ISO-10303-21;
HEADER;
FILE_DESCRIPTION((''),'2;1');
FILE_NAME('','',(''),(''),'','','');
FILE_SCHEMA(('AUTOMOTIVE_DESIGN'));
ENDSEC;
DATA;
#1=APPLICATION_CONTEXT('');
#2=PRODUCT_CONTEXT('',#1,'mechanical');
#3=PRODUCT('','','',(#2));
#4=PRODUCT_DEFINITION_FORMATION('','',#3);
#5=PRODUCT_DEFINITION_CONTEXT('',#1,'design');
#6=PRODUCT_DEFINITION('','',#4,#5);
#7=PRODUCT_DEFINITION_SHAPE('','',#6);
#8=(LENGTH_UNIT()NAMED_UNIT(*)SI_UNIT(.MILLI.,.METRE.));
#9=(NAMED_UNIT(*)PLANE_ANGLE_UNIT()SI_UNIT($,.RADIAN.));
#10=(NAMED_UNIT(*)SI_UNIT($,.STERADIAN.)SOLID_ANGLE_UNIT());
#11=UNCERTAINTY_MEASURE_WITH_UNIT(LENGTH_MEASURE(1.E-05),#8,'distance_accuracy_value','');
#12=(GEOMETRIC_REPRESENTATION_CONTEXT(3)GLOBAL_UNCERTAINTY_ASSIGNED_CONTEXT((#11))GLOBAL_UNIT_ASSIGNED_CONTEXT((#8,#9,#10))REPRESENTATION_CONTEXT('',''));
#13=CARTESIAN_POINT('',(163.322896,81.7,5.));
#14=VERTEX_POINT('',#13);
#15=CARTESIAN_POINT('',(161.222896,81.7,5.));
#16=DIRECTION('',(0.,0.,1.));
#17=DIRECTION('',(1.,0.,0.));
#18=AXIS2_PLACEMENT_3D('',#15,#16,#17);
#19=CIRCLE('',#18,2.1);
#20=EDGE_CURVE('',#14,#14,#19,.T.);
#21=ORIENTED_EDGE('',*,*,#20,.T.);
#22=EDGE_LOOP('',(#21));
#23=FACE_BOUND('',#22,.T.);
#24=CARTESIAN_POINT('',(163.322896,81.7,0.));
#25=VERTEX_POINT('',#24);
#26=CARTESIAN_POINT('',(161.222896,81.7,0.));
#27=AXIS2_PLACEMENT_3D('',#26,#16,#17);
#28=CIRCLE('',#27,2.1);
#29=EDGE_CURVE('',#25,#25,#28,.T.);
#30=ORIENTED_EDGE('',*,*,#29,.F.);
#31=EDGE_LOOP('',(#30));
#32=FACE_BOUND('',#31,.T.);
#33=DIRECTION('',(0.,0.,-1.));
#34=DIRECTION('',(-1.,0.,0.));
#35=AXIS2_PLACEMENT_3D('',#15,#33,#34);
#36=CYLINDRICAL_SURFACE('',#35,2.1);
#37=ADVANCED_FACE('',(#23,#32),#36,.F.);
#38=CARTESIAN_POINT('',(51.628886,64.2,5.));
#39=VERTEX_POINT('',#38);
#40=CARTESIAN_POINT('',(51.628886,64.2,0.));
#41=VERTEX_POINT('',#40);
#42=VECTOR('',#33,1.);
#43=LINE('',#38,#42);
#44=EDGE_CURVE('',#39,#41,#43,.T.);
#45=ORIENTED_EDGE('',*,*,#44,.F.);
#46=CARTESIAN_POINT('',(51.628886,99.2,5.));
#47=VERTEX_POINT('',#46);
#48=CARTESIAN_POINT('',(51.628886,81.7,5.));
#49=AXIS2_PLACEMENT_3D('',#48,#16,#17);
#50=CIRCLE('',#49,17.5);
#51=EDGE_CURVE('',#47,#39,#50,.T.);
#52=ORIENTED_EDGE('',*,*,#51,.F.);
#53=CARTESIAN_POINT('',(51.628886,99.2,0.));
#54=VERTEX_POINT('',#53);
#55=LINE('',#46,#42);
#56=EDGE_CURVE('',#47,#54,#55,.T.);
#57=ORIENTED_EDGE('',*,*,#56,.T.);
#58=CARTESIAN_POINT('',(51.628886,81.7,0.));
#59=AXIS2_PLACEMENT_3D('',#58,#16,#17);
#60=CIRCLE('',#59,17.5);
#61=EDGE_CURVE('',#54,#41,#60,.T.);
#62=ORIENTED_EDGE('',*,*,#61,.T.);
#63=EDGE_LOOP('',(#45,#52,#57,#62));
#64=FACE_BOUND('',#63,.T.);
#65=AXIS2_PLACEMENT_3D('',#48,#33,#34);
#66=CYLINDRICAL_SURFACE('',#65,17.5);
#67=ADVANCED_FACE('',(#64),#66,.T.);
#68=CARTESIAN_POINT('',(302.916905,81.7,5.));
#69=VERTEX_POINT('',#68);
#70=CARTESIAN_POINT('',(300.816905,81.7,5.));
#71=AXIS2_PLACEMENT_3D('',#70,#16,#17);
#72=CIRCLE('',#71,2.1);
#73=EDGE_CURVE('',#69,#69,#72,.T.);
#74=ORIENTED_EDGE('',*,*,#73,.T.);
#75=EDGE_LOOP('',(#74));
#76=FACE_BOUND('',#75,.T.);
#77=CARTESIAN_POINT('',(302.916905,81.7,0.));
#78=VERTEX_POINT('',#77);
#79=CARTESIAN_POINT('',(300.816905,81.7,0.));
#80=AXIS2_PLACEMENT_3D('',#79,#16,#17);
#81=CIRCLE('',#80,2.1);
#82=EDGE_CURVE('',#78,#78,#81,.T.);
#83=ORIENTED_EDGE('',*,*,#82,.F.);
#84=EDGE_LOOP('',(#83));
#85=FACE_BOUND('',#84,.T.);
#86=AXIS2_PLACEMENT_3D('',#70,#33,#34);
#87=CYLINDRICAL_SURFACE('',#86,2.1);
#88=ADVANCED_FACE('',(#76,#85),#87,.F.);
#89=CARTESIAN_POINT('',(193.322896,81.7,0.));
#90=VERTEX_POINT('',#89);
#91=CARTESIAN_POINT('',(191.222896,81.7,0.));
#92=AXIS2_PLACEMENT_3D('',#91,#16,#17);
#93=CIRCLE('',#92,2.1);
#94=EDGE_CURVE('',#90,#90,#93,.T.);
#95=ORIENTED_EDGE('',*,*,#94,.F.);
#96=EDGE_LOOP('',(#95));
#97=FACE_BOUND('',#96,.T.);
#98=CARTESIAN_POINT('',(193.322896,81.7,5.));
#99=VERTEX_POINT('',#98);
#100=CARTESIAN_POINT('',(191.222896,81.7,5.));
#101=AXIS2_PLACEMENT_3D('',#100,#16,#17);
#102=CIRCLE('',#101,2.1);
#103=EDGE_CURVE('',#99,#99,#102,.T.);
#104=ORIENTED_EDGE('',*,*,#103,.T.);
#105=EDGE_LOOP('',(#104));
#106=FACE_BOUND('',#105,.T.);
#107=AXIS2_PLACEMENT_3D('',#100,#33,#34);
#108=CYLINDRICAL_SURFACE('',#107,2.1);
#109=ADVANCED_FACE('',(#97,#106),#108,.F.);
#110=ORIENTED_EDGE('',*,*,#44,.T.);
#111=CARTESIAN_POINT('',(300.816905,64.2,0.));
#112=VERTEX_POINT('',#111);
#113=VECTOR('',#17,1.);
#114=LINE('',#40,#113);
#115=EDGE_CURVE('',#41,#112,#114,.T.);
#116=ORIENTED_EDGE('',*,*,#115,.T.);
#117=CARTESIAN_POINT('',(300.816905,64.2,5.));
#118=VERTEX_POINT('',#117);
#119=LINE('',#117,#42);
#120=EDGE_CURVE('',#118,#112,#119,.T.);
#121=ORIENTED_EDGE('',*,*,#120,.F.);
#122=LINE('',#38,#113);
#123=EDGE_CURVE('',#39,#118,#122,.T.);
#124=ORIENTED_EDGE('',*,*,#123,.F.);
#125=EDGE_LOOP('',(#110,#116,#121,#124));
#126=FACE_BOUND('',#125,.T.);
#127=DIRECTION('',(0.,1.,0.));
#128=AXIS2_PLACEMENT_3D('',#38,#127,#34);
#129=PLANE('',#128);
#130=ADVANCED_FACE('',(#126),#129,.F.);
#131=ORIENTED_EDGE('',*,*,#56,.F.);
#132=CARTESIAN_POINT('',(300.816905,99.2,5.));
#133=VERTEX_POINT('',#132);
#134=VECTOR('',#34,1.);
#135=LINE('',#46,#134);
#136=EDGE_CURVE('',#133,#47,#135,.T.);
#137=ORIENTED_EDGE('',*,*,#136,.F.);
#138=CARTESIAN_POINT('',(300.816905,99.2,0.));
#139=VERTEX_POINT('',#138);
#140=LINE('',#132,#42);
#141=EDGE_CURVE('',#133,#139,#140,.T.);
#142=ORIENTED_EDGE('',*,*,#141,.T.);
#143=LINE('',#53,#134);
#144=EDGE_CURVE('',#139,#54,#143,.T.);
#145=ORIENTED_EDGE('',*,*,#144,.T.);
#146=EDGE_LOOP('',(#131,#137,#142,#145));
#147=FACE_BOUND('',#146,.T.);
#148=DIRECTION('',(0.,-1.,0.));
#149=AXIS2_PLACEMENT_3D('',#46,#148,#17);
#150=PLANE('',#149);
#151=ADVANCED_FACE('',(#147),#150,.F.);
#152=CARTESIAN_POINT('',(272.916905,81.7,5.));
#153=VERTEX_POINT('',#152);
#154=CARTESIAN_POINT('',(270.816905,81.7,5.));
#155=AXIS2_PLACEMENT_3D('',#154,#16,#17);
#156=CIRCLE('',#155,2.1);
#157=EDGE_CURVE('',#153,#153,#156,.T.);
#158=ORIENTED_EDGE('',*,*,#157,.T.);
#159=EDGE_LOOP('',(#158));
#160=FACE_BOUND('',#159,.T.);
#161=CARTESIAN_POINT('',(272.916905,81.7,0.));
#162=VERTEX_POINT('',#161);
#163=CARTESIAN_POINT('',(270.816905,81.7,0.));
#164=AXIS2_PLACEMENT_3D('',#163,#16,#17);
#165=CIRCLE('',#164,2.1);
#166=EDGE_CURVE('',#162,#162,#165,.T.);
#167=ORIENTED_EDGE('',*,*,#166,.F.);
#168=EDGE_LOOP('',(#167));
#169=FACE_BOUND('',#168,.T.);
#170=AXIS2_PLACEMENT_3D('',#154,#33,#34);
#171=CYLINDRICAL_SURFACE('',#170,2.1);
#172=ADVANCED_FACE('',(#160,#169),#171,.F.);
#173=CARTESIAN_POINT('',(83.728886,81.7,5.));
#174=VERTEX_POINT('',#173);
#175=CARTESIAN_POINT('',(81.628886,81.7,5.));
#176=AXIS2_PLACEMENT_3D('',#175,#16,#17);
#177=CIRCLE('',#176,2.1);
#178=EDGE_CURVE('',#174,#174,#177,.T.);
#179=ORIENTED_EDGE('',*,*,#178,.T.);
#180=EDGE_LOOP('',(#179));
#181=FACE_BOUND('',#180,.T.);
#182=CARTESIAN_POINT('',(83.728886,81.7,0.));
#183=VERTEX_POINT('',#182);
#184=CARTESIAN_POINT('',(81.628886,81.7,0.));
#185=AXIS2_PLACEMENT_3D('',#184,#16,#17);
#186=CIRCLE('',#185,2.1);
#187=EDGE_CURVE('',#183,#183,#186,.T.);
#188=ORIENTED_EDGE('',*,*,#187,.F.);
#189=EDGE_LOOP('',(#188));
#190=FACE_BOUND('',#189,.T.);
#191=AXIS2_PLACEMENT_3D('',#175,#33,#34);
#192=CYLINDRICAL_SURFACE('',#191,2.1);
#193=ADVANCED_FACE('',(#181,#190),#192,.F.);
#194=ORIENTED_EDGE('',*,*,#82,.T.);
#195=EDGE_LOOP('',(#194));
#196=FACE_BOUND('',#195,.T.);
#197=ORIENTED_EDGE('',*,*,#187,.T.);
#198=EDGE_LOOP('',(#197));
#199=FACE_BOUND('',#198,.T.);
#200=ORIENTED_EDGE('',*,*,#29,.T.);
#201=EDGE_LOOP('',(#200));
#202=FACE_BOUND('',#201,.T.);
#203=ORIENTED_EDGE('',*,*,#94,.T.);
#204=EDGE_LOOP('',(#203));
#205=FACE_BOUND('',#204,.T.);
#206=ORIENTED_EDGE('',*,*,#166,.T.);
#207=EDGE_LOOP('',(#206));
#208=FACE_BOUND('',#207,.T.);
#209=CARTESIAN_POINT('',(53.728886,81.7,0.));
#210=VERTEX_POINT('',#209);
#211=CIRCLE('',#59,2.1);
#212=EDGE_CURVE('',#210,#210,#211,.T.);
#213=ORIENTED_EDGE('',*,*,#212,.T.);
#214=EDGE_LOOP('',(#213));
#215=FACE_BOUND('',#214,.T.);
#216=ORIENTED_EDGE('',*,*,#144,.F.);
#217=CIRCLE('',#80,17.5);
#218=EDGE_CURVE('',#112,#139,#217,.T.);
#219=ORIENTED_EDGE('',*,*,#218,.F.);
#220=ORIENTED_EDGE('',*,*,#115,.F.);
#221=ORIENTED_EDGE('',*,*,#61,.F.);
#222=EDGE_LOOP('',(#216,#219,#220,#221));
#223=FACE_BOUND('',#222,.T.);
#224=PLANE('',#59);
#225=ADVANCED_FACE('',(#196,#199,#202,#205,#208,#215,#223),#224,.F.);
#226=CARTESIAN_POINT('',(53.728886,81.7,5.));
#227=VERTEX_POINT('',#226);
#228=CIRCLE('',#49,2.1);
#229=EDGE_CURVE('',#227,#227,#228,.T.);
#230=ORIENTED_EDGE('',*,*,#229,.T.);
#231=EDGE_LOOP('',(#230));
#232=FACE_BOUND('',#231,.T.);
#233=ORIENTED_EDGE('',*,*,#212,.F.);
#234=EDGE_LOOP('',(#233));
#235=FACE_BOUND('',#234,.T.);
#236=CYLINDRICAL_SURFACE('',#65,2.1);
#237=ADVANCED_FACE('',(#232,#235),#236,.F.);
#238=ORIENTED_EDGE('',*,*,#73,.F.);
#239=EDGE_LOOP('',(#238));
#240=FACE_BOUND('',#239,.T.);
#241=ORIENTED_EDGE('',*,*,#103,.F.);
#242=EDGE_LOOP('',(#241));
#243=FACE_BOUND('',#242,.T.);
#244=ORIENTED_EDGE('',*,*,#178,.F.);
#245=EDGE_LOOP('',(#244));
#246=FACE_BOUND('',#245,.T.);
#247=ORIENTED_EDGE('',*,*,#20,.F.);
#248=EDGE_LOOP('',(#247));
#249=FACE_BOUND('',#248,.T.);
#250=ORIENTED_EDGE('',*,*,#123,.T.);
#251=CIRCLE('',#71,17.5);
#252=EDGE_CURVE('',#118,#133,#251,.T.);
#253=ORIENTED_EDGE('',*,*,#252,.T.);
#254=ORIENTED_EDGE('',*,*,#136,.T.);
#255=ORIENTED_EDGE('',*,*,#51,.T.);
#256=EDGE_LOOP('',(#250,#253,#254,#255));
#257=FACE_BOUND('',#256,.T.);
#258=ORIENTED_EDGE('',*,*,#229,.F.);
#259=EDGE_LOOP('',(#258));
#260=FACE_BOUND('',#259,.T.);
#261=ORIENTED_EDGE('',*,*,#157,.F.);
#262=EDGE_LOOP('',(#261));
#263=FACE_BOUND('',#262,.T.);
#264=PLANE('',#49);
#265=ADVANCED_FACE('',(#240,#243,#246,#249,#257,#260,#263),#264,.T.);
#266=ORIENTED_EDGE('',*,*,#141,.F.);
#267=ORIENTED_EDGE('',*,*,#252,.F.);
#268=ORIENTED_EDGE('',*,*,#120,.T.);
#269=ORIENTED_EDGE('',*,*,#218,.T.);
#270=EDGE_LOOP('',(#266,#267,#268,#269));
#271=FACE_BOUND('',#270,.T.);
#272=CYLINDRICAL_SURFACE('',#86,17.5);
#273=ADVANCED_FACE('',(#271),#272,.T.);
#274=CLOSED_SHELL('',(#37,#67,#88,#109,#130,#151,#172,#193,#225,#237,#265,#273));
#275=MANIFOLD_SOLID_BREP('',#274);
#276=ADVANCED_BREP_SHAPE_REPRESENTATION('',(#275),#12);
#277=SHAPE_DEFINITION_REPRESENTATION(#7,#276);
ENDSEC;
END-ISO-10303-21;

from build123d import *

# Parameters (mm, degrees)
SKETCH1_R           = 2.1
BOSS_EXTRUDE1_DEPTH = 5


with BuildPart() as part:
    # Sketch1 → Boss-Extrude1 (new body)
    with BuildSketch(Plane.XY):
        with BuildLine():
            Line((51.628885754, 99.200000001), (300.816905308, 99.200000001))
            ThreePointArc((300.816905308, 99.200000001), (318.316905308, 81.700000001), (300.816905308, 64.200000001))
            Line((300.816905308, 64.200000001), (51.628885754, 64.200000001))
            ThreePointArc((51.628885754, 64.200000001), (34.128885754, 81.700000001), (51.628885754, 99.200000001))
        make_face()
        with Locations((300.816905308, 81.700000001)):
            Circle(SKETCH1_R, mode=Mode.SUBTRACT)
        with Locations((270.816905308, 81.700000001)):
            Circle(SKETCH1_R, mode=Mode.SUBTRACT)
        with Locations((191.222895531, 81.700000001)):
            Circle(SKETCH1_R, mode=Mode.SUBTRACT)
        with Locations((51.628885754, 81.700000001)):
            Circle(SKETCH1_R, mode=Mode.SUBTRACT)
        with Locations((81.628885754, 81.700000001)):
            Circle(SKETCH1_R, mode=Mode.SUBTRACT)
        with Locations((161.222895531, 81.700000001)):
            Circle(SKETCH1_R, mode=Mode.SUBTRACT)
    extrude(amount=BOSS_EXTRUDE1_DEPTH)


solid = part.part
